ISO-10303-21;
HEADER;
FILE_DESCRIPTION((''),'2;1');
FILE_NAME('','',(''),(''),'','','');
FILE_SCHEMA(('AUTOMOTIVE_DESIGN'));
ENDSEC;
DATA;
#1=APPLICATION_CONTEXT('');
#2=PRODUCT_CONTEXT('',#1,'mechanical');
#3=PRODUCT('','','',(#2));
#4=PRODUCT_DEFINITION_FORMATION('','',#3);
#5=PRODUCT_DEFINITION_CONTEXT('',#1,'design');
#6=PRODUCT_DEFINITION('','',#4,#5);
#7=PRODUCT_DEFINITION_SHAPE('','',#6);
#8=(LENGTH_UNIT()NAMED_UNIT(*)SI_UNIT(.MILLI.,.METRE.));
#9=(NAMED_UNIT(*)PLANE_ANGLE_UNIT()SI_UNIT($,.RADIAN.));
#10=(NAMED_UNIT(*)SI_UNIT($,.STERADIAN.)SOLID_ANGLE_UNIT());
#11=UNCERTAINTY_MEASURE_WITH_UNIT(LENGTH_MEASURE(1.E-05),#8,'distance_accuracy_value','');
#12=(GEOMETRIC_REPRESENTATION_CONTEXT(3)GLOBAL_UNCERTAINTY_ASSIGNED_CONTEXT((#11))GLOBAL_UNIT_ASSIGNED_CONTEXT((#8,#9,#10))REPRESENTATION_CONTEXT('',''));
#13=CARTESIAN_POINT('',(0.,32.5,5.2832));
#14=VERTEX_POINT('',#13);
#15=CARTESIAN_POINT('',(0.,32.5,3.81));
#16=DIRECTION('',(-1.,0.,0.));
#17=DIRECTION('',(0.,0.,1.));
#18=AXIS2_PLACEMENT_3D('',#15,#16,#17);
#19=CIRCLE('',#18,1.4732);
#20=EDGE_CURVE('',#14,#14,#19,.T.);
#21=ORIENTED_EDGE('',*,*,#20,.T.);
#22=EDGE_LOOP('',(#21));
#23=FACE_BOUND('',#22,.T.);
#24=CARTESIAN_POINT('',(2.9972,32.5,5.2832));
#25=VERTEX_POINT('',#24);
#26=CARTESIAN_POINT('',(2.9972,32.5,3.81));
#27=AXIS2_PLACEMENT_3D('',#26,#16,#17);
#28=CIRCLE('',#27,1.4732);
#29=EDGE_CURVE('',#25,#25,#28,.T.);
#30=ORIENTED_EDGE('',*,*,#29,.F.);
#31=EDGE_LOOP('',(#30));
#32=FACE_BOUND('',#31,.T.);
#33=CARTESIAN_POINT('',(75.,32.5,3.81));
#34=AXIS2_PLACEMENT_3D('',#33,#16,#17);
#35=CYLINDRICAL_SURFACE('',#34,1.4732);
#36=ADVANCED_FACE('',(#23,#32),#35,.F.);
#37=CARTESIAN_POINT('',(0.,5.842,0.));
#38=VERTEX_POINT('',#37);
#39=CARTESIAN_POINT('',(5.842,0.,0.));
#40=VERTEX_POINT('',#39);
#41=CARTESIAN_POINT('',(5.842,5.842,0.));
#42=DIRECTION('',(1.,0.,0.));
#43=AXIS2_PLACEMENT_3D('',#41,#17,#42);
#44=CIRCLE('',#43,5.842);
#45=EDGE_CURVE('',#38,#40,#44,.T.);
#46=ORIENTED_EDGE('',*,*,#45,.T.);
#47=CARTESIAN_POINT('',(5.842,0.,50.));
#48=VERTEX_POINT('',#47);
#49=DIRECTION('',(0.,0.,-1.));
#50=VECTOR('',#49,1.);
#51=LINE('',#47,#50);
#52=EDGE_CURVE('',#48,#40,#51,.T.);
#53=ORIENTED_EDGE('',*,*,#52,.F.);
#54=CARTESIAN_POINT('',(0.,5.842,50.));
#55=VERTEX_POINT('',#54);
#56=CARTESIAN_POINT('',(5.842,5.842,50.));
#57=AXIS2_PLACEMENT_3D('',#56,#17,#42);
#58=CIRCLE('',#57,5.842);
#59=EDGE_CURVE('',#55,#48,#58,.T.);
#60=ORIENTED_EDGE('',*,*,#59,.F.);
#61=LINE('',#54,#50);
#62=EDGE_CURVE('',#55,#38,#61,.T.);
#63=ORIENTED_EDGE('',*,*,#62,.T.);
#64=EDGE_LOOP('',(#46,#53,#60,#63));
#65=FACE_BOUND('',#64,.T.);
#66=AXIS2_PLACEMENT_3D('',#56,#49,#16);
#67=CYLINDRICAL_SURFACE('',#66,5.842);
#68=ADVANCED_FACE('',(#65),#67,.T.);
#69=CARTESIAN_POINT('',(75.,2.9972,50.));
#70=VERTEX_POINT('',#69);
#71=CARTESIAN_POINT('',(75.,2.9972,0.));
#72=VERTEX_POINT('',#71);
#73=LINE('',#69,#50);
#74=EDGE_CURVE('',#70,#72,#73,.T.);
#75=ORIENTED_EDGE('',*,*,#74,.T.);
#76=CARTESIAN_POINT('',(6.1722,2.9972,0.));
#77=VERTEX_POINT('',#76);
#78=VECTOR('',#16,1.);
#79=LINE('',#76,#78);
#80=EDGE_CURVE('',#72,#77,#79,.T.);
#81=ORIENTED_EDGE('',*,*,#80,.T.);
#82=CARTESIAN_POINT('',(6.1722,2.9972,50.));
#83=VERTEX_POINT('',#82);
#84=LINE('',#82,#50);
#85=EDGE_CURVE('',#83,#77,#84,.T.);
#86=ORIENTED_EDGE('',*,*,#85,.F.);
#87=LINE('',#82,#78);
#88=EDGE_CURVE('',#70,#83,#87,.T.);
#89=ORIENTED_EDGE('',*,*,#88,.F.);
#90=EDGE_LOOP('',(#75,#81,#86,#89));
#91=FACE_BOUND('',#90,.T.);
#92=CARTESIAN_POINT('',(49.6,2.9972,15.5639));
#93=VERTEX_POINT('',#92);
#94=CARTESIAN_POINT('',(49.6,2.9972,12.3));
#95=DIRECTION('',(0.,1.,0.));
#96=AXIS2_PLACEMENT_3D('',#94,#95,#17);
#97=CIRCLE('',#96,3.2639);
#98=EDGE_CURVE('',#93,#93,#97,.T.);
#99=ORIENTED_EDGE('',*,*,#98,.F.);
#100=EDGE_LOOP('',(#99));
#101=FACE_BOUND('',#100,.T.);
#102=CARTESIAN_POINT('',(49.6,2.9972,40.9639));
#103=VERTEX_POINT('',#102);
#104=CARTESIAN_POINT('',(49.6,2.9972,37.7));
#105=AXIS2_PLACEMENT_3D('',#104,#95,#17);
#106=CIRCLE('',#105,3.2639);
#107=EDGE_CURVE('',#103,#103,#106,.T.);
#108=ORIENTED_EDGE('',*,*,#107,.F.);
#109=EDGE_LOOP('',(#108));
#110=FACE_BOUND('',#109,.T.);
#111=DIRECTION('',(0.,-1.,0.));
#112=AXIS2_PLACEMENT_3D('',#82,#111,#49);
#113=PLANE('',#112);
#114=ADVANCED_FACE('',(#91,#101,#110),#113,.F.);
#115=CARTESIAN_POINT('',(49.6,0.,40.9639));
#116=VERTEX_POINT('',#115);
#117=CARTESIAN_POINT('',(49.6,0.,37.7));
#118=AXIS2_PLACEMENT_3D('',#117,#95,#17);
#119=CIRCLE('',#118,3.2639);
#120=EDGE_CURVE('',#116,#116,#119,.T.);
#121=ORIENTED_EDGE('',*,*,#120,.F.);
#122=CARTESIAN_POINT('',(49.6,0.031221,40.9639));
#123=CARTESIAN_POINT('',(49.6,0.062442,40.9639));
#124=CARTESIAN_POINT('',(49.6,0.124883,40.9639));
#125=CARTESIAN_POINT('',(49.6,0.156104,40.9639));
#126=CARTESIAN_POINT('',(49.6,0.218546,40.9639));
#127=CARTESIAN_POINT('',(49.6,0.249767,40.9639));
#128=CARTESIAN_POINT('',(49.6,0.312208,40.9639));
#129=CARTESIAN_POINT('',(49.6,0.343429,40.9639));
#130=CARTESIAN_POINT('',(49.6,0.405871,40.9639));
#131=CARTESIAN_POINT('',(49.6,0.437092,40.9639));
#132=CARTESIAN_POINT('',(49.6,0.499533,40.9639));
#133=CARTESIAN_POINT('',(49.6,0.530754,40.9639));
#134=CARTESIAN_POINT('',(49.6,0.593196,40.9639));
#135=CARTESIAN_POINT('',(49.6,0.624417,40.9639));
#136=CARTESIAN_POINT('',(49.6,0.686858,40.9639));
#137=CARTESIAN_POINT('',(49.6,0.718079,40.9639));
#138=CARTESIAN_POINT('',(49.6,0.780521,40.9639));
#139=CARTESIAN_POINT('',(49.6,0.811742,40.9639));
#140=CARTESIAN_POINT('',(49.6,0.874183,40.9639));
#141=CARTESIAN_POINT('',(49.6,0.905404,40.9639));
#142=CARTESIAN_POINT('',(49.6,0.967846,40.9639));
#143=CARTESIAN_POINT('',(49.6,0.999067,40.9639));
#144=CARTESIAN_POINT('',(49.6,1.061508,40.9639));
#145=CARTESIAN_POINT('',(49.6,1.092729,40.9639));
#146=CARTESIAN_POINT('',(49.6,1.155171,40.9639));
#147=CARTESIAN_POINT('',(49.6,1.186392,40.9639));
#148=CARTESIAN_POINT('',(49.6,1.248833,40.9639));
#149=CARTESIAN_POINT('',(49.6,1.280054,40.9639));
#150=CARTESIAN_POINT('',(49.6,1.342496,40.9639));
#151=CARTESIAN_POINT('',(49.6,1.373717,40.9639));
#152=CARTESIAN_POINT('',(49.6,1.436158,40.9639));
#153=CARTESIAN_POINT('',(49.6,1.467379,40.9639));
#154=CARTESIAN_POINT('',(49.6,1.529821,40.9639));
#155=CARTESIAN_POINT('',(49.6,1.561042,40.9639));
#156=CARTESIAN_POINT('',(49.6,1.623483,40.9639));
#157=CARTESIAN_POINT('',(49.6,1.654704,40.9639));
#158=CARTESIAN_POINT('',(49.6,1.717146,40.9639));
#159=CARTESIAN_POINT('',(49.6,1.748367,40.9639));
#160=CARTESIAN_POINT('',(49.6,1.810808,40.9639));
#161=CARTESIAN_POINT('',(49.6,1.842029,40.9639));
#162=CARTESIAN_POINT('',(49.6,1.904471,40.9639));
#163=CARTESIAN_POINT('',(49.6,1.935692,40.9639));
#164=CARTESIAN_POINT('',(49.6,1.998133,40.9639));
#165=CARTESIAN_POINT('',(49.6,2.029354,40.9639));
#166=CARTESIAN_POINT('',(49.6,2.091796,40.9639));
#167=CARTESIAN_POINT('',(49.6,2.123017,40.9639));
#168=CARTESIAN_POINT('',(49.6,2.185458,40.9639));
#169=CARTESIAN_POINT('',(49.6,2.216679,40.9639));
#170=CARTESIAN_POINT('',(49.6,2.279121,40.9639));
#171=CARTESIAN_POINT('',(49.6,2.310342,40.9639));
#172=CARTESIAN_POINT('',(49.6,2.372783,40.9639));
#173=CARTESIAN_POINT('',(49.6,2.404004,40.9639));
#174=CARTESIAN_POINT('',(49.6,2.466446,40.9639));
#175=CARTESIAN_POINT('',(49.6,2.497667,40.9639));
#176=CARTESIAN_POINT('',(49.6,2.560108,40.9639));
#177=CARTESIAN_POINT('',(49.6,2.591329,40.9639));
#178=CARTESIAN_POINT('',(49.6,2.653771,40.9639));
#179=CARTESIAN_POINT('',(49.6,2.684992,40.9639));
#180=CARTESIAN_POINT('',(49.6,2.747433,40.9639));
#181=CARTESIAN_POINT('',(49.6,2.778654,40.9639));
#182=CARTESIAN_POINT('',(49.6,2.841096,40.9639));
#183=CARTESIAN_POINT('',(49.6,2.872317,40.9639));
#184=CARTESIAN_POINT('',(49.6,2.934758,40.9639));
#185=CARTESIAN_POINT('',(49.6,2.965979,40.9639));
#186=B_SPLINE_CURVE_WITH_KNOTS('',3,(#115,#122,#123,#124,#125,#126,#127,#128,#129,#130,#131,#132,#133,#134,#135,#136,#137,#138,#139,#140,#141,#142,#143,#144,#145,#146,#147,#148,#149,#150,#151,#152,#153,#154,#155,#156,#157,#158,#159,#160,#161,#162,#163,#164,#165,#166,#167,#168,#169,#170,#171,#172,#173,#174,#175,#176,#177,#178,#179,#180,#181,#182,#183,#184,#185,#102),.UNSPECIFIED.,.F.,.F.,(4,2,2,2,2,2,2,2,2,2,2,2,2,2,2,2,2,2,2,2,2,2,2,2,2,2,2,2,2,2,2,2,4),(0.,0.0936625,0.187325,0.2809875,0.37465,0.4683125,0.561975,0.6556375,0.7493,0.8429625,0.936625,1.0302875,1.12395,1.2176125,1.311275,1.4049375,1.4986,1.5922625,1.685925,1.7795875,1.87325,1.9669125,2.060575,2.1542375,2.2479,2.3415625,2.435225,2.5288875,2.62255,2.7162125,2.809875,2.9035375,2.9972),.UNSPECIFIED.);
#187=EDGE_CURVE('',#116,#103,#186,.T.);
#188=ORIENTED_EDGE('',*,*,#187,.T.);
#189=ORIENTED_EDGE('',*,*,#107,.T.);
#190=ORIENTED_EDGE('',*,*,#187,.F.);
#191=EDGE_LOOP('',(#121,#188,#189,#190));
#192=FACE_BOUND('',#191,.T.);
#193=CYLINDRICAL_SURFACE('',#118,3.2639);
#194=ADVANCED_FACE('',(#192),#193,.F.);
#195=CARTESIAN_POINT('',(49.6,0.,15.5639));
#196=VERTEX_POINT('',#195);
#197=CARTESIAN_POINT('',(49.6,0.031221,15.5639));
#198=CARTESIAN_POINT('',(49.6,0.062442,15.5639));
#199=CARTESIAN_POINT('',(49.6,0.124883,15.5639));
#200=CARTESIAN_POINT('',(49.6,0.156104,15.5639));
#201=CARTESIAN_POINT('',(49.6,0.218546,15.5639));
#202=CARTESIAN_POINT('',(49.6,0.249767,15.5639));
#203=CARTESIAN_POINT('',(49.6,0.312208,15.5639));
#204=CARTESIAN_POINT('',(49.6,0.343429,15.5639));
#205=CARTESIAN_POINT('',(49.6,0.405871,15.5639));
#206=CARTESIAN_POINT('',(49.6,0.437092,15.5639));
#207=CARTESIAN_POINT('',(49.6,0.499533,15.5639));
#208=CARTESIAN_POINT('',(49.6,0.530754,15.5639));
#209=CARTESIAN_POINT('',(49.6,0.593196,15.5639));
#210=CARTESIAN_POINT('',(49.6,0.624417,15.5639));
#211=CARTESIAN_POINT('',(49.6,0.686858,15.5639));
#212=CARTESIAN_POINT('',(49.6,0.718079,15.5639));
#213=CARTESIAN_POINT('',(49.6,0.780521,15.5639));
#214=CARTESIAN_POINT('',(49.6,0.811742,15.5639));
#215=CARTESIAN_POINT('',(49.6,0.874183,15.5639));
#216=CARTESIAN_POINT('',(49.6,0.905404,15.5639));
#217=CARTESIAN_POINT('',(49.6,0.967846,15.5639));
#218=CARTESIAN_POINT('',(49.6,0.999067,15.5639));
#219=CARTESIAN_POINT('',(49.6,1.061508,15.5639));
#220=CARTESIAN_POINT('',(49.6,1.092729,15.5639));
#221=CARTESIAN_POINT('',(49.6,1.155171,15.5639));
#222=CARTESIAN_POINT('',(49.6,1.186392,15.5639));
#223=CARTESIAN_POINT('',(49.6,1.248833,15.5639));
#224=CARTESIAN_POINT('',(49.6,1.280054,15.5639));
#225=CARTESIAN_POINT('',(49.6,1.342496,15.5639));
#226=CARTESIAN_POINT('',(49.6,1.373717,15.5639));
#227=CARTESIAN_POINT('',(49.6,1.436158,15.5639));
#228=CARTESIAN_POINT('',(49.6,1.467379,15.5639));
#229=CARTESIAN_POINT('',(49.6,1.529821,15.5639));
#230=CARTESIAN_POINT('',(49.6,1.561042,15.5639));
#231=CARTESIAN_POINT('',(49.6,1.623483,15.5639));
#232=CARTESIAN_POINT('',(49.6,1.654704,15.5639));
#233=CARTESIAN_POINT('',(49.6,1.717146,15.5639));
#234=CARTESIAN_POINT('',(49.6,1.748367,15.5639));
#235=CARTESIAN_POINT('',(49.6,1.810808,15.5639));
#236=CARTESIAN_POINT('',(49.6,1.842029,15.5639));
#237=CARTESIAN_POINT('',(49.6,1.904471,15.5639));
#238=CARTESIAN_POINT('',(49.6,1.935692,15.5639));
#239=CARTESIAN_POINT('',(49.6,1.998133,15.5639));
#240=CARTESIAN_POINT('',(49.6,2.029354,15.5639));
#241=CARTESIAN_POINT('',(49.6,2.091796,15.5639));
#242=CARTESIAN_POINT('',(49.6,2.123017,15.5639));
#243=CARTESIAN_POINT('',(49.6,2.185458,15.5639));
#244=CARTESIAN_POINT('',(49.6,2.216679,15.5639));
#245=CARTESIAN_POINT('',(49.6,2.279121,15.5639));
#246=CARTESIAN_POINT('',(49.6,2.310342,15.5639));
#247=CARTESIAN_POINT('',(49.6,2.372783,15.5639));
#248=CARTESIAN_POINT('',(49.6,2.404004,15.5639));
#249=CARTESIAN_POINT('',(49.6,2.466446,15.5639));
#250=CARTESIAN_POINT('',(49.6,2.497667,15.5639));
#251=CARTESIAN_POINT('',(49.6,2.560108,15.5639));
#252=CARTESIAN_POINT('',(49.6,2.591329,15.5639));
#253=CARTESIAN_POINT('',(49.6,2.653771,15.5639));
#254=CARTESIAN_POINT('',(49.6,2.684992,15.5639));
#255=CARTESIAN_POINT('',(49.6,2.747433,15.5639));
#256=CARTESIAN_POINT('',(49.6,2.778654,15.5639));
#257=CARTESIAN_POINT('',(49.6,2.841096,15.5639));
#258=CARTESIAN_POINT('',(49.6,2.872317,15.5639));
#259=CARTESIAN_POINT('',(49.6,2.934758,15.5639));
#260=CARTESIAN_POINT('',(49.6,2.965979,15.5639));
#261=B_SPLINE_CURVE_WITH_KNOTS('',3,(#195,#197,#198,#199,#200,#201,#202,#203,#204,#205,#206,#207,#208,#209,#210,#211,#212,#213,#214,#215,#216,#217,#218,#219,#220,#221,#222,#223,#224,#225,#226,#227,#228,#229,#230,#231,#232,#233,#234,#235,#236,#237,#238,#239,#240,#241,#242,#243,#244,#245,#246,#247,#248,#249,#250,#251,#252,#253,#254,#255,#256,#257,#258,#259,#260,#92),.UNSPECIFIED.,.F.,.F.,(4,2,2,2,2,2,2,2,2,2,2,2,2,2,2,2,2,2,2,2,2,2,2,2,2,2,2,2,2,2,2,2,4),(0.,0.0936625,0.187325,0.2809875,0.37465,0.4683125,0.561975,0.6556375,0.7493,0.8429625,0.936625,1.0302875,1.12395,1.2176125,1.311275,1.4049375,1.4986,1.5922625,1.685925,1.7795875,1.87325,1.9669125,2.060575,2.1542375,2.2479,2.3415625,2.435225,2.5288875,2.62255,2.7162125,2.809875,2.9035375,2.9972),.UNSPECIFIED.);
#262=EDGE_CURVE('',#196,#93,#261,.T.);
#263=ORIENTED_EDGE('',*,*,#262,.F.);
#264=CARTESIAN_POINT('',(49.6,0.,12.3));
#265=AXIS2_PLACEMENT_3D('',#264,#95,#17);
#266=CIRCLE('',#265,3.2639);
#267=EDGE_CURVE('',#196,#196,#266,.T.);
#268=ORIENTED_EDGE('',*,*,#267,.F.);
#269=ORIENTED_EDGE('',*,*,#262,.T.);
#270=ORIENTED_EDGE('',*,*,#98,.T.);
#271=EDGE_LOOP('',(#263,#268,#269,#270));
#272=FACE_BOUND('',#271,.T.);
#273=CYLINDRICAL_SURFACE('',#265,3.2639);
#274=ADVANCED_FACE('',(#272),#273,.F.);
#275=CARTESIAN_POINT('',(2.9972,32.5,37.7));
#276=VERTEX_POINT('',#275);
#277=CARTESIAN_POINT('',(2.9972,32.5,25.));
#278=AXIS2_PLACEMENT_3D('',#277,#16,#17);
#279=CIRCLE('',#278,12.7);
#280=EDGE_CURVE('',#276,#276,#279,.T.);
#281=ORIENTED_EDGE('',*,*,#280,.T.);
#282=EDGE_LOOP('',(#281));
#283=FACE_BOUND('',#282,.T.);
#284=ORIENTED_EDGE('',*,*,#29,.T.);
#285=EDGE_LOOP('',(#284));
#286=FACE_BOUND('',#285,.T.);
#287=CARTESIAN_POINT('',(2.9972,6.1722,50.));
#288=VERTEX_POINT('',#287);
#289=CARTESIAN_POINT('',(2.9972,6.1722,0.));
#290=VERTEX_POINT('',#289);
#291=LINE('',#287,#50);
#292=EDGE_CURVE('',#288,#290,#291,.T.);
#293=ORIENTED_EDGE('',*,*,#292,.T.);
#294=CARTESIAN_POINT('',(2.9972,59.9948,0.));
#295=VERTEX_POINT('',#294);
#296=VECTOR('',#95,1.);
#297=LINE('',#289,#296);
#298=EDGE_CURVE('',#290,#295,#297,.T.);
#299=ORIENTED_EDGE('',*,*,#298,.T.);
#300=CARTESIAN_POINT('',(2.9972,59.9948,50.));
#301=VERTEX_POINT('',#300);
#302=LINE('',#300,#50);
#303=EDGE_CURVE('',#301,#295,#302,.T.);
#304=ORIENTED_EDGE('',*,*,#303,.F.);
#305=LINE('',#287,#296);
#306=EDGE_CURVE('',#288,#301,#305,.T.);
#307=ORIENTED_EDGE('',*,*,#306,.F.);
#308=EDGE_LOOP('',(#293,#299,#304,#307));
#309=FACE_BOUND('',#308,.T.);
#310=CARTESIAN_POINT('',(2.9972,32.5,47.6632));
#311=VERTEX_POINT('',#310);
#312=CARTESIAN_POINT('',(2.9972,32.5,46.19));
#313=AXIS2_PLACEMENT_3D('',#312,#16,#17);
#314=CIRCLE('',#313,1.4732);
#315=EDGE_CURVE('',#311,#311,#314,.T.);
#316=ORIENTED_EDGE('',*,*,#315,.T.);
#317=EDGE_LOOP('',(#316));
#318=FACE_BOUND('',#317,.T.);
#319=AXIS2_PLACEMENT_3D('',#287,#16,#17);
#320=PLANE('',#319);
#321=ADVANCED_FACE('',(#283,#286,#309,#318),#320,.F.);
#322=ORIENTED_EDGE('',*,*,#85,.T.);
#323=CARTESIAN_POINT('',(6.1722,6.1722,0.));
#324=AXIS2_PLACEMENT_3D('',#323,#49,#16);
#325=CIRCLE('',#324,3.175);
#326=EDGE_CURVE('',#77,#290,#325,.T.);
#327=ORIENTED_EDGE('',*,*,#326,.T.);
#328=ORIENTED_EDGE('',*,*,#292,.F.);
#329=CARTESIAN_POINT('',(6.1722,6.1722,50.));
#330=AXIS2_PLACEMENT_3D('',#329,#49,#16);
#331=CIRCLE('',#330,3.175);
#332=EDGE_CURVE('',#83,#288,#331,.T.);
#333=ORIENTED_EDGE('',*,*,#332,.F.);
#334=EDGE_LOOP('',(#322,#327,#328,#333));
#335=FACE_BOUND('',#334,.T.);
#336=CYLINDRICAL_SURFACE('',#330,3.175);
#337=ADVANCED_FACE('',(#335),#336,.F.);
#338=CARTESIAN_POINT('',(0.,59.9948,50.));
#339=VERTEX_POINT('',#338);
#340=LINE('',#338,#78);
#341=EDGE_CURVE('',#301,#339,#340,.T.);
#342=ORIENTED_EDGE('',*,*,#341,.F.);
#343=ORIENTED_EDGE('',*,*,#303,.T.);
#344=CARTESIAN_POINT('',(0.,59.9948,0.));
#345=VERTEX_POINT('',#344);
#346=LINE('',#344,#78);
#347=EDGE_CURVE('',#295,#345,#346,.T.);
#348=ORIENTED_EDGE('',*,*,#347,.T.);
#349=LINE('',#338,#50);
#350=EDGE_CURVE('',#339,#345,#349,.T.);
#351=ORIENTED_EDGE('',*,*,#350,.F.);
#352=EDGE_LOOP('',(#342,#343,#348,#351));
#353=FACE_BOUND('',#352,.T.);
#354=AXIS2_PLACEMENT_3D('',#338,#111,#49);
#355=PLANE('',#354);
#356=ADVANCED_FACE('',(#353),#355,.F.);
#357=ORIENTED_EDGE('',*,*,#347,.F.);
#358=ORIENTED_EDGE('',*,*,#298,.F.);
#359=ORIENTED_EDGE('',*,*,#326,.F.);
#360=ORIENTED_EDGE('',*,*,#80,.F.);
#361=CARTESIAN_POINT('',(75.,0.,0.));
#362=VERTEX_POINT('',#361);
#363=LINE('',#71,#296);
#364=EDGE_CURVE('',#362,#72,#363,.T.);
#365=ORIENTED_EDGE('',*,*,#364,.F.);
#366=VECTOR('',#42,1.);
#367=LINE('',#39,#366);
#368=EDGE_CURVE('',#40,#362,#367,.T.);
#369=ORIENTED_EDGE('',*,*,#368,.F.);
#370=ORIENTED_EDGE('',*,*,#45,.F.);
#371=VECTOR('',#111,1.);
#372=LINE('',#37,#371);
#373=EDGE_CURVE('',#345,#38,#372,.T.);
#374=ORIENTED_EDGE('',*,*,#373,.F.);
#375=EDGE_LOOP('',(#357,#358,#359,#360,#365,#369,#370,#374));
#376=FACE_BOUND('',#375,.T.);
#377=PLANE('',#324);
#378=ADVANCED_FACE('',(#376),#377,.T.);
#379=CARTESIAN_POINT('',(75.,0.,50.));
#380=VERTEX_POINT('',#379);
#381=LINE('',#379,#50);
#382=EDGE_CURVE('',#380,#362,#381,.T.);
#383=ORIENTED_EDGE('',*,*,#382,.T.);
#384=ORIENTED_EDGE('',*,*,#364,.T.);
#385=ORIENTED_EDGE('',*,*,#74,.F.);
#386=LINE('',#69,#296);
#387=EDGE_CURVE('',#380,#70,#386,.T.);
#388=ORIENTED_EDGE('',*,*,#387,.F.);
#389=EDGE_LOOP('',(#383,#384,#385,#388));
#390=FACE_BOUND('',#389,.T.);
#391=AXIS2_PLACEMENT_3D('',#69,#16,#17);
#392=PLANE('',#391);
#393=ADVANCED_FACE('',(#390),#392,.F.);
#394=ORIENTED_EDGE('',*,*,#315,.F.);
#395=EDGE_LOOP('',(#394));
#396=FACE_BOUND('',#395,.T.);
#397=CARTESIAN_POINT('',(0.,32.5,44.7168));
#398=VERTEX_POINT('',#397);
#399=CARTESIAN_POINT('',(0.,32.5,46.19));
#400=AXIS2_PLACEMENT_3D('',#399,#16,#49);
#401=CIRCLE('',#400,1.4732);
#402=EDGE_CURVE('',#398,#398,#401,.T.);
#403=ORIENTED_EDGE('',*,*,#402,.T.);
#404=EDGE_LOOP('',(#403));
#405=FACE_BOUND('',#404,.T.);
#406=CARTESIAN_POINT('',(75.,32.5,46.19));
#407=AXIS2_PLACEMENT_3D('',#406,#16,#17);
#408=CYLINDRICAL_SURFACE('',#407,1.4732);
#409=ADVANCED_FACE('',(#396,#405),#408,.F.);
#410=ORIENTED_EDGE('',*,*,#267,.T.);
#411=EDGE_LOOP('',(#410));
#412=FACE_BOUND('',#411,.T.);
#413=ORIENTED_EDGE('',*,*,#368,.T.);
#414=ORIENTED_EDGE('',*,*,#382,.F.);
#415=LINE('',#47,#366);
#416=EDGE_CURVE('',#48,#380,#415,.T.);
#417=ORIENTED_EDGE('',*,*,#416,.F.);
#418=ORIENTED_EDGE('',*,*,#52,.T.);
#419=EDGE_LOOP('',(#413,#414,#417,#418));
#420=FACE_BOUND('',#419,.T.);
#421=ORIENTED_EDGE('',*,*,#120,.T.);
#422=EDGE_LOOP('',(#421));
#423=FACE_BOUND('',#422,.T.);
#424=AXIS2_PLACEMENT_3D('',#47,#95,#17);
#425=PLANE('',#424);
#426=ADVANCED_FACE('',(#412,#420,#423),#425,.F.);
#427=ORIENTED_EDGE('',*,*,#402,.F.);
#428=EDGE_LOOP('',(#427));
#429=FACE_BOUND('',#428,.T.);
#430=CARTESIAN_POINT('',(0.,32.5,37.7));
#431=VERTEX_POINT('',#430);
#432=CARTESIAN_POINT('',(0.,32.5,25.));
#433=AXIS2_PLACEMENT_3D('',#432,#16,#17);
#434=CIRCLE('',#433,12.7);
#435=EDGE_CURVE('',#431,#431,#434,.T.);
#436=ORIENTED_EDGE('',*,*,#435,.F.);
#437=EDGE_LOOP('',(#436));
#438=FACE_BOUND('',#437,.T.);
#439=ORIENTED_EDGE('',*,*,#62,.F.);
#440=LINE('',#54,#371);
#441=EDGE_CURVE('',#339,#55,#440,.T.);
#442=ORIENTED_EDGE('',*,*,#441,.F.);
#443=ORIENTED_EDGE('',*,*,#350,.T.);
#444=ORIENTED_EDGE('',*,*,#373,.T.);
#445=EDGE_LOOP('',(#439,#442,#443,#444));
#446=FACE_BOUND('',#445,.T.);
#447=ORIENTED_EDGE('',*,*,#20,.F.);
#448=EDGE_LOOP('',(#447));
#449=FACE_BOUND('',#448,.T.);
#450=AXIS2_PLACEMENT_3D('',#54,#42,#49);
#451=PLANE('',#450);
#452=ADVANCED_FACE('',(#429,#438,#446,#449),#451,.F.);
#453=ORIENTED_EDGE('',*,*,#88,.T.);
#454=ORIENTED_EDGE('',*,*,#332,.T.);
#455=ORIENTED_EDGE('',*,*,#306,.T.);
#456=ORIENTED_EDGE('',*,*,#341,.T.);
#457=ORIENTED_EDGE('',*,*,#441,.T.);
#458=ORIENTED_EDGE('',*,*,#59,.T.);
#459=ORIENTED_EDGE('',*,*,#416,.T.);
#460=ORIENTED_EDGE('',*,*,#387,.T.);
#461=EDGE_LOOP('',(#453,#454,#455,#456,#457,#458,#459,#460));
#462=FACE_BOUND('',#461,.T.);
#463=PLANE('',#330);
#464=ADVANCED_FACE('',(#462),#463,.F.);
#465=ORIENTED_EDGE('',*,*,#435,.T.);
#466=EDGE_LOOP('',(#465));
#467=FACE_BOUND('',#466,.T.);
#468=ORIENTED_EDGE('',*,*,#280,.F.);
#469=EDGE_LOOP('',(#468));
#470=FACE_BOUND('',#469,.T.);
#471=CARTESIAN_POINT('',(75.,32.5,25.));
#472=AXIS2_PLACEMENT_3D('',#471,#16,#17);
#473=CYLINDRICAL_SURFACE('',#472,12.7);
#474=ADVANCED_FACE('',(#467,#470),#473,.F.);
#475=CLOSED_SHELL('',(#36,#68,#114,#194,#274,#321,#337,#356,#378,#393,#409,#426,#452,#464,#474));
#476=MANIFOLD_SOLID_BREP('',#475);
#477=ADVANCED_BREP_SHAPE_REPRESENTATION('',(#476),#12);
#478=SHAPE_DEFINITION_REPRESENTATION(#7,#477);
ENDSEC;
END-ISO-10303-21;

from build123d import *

# Parameters (mm, degrees)
BOSS_EXTRUDE1_DEPTH       = 50
SKETCH5_R                 = 3.2639
MOUNTING_HORIZONTAL_DEPTH = 107.647674169
SKETCH7_R                 = 12.7
BEARING_WITH_MOTOR_DEPTH  = 109.279157861
SKETCH8_R                 = 1.4732
F_4_40_WITH_MOTOR_DEPTH   = 109.279157861


with BuildPart() as part:
    # Sketch2 → Boss-Extrude1 (new body)
    with BuildSketch(Plane.XY):
        with BuildLine():
            Line((0, 5.842), (0, 59.9948))
            Line((0, 59.9948), (2.9972, 59.9948))
            Line((2.9972, 59.9948), (2.9972, 6.1722))
            ThreePointArc((2.9972, 6.1722), (3.92713597, 3.92713597), (6.1722, 2.9972))
            Line((6.1722, 2.9972), (75, 2.9972))
            Line((75, 2.9972), (75, 0))
            Line((75, 0), (5.842, 0))
            ThreePointArc((5.842, 0), (1.711082184, 1.711082184), (0, 5.842))
        make_face()
    extrude(amount=BOSS_EXTRUDE1_DEPTH)

    # Sketch5 → Mounting -- Horizontal (cut, through all)
    with BuildSketch(Plane(origin=(0, 2.9972, 0), x_dir=(1, 0, 0), z_dir=(0, 1, 0))):
        with Locations(Location((49.6, -12.3, 0), (0, 0, 270))):
            Circle(SKETCH5_R)
        with Locations(Location((49.6, -37.7, 0), (0, 0, 270))):
            Circle(SKETCH5_R)
    extrude(amount=-MOUNTING_HORIZONTAL_DEPTH, mode=Mode.SUBTRACT)

    # Sketch7 → Bearing -- With Motor (cut, through all)
    with BuildSketch(Plane.ZY):
        with Locations((25, 32.5)):
            Circle(SKETCH7_R)
    extrude(amount=-BEARING_WITH_MOTOR_DEPTH, mode=Mode.SUBTRACT)

    # Sketch8 → 4-40 -- With Motor (cut, through all)
    with BuildSketch(Plane.ZY):
        with Locations((3.81, 32.5)):
            Circle(SKETCH8_R)
        with Locations((46.19, 32.5)):
            Circle(SKETCH8_R)
    extrude(amount=-F_4_40_WITH_MOTOR_DEPTH, mode=Mode.SUBTRACT)


solid = part.part
